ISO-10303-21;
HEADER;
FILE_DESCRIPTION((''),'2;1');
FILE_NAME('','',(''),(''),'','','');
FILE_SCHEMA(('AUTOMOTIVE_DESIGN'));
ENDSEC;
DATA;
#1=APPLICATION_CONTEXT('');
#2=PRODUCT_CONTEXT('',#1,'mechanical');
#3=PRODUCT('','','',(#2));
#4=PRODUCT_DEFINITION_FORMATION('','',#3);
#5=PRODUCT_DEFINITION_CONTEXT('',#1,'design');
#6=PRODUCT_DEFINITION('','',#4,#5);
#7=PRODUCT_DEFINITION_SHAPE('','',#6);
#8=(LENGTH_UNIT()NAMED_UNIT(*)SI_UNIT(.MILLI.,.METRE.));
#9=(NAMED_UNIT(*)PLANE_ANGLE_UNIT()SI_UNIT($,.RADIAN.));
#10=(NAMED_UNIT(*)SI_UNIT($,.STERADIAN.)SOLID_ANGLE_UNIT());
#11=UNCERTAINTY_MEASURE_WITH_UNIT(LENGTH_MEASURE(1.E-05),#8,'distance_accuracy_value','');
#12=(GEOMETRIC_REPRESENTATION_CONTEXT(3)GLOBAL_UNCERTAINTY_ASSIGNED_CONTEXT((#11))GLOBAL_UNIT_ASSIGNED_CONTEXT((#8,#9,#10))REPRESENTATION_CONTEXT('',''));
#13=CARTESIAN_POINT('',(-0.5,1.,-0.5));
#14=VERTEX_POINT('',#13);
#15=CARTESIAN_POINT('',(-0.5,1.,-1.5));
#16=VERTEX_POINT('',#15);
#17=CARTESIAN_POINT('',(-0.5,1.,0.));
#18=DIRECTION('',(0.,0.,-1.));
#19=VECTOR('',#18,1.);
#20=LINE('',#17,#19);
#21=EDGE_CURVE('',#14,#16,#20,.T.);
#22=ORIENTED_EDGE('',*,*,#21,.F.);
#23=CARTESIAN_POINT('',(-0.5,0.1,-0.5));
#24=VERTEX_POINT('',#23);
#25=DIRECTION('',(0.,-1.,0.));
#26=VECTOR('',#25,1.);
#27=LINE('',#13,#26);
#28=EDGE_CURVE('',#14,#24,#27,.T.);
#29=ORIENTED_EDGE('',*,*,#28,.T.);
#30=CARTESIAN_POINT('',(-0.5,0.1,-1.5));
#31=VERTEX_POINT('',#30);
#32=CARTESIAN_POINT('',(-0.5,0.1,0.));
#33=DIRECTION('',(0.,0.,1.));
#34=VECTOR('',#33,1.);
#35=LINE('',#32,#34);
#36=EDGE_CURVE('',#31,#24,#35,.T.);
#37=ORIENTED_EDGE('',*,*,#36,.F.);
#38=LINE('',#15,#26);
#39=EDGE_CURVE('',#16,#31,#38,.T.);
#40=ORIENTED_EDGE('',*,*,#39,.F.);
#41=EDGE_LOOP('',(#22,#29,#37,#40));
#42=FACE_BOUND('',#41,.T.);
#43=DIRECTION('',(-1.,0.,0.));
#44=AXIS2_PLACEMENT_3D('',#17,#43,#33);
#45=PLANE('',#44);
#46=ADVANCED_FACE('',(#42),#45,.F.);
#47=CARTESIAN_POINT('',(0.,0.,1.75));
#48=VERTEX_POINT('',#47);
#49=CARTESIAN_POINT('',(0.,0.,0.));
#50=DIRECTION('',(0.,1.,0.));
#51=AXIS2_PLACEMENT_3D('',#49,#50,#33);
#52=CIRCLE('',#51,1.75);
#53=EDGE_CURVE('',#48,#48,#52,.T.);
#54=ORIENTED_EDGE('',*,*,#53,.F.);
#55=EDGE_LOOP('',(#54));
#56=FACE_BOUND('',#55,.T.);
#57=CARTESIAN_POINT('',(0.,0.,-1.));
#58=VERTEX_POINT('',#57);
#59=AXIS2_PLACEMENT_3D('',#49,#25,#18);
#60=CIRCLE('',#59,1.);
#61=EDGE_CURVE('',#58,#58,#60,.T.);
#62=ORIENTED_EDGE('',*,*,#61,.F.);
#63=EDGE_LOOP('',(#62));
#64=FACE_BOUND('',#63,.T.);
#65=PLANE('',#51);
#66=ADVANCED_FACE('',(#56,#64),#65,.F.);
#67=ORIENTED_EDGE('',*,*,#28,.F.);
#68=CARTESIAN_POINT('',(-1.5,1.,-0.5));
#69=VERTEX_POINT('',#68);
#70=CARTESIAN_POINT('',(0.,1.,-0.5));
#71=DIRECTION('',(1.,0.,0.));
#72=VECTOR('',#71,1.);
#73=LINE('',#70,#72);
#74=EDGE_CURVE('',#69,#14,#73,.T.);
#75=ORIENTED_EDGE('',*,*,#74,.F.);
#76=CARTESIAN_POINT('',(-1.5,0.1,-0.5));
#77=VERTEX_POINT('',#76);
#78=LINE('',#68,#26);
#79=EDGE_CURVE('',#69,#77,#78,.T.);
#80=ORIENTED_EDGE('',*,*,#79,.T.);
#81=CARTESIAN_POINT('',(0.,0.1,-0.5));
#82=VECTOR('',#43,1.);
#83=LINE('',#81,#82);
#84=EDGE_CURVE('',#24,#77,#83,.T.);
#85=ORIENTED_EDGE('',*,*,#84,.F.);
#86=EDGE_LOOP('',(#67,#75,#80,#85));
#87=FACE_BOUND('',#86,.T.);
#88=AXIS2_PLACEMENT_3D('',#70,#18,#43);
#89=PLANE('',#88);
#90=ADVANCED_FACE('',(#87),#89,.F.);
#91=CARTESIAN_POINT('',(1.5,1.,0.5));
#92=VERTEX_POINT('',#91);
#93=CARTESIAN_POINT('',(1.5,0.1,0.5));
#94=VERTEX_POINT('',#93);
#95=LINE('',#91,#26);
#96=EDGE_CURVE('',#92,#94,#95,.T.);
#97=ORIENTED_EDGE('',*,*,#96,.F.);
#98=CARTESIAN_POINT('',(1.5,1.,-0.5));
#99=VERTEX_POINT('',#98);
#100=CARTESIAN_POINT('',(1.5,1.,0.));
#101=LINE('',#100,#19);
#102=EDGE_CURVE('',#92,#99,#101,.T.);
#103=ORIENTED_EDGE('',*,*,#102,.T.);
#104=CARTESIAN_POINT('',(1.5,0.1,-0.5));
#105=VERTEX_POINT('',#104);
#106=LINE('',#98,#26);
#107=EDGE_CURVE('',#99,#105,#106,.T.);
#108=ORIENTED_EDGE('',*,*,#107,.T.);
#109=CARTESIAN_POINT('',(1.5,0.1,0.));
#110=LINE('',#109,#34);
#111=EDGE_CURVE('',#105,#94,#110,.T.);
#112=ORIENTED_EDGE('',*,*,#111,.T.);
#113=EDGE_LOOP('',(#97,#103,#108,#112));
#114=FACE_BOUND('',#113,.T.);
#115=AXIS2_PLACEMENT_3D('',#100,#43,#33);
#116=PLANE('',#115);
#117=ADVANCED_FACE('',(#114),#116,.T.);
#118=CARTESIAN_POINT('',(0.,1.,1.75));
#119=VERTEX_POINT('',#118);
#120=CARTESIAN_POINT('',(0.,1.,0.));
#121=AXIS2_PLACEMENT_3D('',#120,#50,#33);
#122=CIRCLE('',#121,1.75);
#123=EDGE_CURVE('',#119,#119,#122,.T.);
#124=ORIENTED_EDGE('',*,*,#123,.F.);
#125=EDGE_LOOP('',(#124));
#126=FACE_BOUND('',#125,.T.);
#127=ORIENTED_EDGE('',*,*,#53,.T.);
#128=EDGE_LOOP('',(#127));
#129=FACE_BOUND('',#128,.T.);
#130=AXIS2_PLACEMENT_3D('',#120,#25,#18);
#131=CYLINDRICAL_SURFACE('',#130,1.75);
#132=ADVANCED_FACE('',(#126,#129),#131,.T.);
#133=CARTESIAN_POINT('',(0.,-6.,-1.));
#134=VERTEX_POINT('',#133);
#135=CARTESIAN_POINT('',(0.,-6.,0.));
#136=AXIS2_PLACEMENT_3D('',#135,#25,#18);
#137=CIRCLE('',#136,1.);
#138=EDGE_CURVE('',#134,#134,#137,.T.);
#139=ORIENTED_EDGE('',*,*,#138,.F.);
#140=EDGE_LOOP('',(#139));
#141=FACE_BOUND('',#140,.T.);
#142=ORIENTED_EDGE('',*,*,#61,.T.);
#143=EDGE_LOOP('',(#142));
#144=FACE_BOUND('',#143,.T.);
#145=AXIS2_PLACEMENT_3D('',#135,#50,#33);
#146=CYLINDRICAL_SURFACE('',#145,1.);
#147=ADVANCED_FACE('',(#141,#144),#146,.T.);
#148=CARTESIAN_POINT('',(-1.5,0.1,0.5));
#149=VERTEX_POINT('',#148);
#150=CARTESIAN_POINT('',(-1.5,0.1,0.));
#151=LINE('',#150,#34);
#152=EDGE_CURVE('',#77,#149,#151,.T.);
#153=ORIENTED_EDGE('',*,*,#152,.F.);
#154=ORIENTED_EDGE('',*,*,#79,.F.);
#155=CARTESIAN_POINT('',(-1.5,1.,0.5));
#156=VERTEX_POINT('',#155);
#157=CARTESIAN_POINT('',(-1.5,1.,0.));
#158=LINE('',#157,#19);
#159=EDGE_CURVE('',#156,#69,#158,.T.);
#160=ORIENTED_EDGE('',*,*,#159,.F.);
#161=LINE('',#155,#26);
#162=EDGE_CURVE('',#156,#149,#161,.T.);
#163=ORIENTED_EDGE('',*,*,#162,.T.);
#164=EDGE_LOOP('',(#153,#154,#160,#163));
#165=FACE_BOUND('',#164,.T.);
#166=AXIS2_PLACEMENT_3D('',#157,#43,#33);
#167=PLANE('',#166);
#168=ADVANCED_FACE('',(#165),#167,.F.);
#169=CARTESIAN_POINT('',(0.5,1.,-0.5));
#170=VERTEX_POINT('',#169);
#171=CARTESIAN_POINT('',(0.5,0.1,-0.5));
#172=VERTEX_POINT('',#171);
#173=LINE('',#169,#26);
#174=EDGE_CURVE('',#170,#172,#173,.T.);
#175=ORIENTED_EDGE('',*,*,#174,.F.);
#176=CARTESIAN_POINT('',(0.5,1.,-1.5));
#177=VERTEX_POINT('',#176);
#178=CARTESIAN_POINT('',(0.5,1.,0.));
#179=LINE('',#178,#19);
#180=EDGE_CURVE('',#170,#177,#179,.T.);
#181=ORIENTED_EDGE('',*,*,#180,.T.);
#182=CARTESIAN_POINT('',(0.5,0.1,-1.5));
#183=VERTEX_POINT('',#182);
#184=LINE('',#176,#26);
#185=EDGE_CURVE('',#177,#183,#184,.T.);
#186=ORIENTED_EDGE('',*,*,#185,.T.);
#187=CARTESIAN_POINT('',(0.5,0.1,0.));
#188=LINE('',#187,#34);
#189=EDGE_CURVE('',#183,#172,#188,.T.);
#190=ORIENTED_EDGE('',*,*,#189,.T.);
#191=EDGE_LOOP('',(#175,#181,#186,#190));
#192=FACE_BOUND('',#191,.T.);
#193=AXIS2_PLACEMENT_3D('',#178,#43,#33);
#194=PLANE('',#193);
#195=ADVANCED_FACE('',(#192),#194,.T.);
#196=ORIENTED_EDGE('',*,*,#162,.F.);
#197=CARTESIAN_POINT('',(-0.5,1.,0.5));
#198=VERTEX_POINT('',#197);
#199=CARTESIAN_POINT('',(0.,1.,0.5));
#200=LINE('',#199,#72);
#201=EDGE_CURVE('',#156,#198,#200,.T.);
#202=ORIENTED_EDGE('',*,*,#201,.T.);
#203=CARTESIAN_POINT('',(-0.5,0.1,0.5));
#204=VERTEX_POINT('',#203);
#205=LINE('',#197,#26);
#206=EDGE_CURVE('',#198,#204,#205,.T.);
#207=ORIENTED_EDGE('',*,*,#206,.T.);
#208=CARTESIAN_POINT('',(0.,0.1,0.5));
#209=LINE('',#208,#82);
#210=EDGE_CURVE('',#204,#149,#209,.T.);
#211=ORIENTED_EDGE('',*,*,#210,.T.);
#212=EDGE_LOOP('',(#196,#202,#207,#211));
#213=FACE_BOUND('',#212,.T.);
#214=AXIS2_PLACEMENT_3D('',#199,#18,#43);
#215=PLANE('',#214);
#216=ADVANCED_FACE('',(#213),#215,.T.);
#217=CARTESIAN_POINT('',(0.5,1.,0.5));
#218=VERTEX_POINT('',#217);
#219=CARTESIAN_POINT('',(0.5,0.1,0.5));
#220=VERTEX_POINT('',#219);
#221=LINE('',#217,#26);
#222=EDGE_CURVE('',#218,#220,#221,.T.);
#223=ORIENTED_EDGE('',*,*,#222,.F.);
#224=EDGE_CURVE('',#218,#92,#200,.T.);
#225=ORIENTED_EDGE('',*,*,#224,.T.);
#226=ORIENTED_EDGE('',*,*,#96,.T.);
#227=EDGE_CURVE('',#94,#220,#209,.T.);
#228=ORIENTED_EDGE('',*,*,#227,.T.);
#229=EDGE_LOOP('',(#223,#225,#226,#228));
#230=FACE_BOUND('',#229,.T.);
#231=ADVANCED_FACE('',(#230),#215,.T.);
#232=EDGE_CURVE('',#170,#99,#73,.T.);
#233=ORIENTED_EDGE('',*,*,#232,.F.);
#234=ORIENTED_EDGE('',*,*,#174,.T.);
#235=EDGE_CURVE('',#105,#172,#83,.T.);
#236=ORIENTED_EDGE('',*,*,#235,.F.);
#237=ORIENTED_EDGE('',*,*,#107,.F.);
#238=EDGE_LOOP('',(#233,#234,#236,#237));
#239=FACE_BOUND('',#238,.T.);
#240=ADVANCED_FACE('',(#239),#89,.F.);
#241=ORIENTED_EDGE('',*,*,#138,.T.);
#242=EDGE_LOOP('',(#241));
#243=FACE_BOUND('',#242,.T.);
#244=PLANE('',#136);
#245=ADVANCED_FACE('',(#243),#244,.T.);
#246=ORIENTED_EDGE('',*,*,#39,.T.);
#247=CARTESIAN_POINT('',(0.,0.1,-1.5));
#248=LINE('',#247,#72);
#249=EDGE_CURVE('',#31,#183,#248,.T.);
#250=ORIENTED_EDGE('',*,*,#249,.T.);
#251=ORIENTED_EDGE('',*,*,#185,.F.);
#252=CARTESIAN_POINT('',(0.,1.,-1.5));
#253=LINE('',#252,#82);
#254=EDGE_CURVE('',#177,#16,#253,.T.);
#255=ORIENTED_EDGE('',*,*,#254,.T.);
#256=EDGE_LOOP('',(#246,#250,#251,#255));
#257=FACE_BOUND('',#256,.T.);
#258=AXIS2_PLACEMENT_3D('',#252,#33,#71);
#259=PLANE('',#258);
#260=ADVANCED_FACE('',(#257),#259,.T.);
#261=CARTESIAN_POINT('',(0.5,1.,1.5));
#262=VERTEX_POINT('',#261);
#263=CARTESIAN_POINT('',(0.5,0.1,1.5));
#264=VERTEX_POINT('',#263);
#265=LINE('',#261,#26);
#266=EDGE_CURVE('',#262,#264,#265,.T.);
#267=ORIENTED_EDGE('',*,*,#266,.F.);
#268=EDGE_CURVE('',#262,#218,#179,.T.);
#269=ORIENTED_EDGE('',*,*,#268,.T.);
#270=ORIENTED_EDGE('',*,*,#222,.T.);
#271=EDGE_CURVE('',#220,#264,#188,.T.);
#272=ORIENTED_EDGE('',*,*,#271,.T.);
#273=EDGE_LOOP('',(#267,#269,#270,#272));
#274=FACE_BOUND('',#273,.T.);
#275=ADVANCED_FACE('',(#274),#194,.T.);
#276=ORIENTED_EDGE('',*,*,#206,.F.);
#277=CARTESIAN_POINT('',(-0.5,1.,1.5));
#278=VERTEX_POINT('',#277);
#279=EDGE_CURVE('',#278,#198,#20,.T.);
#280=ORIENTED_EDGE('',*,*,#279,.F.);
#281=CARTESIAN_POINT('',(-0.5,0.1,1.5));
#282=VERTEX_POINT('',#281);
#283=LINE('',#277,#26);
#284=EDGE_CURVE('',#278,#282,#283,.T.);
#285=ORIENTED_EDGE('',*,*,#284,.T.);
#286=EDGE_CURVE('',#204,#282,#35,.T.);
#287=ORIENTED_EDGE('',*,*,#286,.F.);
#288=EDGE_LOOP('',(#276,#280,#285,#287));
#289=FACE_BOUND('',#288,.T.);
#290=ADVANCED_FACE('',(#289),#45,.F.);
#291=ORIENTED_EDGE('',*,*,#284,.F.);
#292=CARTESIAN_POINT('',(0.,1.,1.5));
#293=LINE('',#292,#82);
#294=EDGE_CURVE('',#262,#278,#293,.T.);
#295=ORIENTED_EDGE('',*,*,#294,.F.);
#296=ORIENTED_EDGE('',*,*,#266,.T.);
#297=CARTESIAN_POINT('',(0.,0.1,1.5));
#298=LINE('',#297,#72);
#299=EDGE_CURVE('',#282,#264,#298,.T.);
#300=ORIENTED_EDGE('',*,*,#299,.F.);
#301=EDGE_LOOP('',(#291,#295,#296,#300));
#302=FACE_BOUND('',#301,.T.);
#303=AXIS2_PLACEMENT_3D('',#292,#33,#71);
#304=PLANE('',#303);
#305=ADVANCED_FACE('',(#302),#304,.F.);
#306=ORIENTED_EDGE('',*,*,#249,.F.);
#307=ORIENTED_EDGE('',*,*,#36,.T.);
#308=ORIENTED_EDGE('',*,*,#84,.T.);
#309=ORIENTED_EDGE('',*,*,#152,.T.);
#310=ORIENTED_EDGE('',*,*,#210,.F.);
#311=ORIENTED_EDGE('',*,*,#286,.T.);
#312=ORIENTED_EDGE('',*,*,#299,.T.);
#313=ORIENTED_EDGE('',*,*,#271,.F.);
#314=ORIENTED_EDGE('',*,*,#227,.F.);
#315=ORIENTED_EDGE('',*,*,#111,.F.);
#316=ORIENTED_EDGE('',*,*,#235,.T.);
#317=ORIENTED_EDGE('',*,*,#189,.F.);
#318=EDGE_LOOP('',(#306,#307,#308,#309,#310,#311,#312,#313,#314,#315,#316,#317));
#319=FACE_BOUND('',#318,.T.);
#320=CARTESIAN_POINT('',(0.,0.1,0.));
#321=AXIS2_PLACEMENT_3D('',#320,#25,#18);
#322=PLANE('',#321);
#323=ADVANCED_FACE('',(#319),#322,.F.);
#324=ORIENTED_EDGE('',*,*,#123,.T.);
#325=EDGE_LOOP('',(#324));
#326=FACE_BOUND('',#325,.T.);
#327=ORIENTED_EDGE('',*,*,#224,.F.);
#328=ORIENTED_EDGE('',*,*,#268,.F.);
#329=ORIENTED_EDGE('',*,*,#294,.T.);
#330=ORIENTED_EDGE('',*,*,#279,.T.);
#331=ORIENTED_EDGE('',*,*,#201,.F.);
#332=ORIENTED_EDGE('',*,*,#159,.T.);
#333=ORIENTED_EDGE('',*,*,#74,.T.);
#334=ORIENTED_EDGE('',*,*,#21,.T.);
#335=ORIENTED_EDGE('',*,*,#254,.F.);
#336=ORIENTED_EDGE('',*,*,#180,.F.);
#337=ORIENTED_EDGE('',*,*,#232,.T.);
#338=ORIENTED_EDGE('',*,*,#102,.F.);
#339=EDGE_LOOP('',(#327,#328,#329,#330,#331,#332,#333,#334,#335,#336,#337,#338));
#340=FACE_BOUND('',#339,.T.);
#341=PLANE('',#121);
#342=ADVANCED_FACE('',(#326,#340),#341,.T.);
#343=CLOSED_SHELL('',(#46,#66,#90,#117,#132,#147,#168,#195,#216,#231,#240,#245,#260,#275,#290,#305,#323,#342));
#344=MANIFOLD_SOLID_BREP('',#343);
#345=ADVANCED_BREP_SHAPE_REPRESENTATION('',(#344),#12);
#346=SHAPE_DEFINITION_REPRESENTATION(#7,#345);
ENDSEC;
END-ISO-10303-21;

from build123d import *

# Parameters (mm, degrees)
SKETCH1_R           = 1.75
BOSS_EXTRUDE1_DEPTH = 1
SKETCH2_R           = 1.75
BOSS_EXTRUDE2_DEPTH = 0.1
SKETCH3_R           = 1
BOSS_EXTRUDE3_DEPTH = 6


with BuildPart() as part:
    # Sketch1 → Boss-Extrude1 (new body)
    with BuildSketch(Plane(origin=(0, 0, 0), x_dir=(1, 0, 0), z_dir=(0, 1, 0))):
        with Locations(Location((0, 0, 0), (0, 0, 270))):
            Circle(SKETCH1_R)
        Polygon((-0.5, -0.5), (-1.5, -0.5), (-1.5, 0.5), (-0.5, 0.5), (-0.5, 1.5), (0.5, 1.5), (0.5, 0.5), (1.5, 0.5), (1.5, -0.5), (0.5, -0.5), (0.5, -1.5), (-0.5, -1.5), align=None, mode=Mode.SUBTRACT)
    extrude(amount=BOSS_EXTRUDE1_DEPTH)

    # Sketch2 → Boss-Extrude2 (add)
    with BuildSketch(Plane.XZ):
        with Locations(Location((0, 0, 0), (0, 0, 90))):
            Circle(SKETCH2_R)
    extrude(amount=-BOSS_EXTRUDE2_DEPTH)

    # Sketch3 → Boss-Extrude3 (add)
    with BuildSketch(Plane.XZ):
        with Locations(Location((0, 0, 0), (0, 0, 270))):
            Circle(SKETCH3_R)
    extrude(amount=BOSS_EXTRUDE3_DEPTH)


solid = part.part
